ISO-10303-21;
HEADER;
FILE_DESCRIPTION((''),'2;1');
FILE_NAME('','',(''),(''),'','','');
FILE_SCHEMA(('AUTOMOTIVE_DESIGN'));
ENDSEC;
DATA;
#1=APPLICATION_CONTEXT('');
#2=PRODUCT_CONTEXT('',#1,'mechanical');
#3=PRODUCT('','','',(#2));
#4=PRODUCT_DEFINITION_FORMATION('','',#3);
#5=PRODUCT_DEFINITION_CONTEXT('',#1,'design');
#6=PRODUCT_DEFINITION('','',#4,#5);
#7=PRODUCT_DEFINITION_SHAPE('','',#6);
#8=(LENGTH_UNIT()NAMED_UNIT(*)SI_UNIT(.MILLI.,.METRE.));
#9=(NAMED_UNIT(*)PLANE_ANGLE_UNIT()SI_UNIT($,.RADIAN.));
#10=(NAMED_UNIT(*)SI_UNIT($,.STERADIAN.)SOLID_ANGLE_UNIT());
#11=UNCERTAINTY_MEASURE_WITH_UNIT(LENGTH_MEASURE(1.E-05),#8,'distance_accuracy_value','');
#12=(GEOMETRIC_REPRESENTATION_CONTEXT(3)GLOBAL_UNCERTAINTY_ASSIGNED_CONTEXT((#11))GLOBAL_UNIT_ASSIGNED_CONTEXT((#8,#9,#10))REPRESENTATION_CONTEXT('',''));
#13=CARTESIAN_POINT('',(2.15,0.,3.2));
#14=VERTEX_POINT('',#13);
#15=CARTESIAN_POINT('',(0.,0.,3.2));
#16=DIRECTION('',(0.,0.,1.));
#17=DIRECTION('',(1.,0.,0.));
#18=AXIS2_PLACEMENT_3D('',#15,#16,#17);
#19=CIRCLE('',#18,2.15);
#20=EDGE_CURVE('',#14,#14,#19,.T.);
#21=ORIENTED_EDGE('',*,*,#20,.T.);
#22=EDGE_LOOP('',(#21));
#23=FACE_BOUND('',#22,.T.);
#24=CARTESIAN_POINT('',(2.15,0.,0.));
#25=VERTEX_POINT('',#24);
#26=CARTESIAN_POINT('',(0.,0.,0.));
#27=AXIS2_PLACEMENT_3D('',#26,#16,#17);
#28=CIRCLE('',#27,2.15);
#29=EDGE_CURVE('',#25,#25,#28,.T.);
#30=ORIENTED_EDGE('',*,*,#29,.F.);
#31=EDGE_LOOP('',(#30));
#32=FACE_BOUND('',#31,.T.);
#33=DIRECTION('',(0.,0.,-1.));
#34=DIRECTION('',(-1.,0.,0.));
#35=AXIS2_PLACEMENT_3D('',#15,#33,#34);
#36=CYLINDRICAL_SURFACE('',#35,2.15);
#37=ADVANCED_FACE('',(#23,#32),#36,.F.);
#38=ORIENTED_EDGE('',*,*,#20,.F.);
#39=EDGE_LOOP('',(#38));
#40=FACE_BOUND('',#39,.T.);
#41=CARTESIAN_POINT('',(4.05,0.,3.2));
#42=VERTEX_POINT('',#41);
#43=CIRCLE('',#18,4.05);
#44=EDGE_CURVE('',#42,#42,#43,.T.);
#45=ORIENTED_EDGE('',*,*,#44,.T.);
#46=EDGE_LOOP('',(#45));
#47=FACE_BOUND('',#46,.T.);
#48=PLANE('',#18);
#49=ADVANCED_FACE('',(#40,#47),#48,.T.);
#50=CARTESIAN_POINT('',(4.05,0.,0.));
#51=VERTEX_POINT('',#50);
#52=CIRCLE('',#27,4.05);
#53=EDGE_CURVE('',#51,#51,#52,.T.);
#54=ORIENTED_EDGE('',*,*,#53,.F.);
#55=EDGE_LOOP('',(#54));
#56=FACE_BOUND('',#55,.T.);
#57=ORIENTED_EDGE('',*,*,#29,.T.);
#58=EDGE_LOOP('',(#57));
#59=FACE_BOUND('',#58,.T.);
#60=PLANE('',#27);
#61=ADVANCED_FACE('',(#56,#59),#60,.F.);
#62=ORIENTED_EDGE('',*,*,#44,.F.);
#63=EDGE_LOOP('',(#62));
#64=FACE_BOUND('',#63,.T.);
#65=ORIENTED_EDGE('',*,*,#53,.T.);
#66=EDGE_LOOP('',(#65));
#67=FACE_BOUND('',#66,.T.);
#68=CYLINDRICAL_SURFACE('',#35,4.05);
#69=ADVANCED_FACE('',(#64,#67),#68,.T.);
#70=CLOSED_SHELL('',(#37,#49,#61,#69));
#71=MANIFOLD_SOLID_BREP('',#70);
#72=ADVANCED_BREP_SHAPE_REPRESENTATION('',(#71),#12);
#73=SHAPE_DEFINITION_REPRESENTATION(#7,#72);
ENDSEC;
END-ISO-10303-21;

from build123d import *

# Parameters (mm, degrees)
SKETCH_1_R            = 4.05
EXTRUDE_246_DEPTH     = 3.2
SKETCH_2_R            = 2.15
CUT_EXTRUDE_315_DEPTH = 3.2


with BuildPart() as part:
    # 草图1 → Extrude 246 (new body)
    with BuildSketch(Plane.XY):
        Circle(SKETCH_1_R)
    extrude(amount=EXTRUDE_246_DEPTH)

    # 草图2 → Cut-Extrude 315 (cut)
    with BuildSketch(Plane.XY):
        Circle(SKETCH_2_R)
    extrude(amount=CUT_EXTRUDE_315_DEPTH, mode=Mode.SUBTRACT)


solid = part.part
